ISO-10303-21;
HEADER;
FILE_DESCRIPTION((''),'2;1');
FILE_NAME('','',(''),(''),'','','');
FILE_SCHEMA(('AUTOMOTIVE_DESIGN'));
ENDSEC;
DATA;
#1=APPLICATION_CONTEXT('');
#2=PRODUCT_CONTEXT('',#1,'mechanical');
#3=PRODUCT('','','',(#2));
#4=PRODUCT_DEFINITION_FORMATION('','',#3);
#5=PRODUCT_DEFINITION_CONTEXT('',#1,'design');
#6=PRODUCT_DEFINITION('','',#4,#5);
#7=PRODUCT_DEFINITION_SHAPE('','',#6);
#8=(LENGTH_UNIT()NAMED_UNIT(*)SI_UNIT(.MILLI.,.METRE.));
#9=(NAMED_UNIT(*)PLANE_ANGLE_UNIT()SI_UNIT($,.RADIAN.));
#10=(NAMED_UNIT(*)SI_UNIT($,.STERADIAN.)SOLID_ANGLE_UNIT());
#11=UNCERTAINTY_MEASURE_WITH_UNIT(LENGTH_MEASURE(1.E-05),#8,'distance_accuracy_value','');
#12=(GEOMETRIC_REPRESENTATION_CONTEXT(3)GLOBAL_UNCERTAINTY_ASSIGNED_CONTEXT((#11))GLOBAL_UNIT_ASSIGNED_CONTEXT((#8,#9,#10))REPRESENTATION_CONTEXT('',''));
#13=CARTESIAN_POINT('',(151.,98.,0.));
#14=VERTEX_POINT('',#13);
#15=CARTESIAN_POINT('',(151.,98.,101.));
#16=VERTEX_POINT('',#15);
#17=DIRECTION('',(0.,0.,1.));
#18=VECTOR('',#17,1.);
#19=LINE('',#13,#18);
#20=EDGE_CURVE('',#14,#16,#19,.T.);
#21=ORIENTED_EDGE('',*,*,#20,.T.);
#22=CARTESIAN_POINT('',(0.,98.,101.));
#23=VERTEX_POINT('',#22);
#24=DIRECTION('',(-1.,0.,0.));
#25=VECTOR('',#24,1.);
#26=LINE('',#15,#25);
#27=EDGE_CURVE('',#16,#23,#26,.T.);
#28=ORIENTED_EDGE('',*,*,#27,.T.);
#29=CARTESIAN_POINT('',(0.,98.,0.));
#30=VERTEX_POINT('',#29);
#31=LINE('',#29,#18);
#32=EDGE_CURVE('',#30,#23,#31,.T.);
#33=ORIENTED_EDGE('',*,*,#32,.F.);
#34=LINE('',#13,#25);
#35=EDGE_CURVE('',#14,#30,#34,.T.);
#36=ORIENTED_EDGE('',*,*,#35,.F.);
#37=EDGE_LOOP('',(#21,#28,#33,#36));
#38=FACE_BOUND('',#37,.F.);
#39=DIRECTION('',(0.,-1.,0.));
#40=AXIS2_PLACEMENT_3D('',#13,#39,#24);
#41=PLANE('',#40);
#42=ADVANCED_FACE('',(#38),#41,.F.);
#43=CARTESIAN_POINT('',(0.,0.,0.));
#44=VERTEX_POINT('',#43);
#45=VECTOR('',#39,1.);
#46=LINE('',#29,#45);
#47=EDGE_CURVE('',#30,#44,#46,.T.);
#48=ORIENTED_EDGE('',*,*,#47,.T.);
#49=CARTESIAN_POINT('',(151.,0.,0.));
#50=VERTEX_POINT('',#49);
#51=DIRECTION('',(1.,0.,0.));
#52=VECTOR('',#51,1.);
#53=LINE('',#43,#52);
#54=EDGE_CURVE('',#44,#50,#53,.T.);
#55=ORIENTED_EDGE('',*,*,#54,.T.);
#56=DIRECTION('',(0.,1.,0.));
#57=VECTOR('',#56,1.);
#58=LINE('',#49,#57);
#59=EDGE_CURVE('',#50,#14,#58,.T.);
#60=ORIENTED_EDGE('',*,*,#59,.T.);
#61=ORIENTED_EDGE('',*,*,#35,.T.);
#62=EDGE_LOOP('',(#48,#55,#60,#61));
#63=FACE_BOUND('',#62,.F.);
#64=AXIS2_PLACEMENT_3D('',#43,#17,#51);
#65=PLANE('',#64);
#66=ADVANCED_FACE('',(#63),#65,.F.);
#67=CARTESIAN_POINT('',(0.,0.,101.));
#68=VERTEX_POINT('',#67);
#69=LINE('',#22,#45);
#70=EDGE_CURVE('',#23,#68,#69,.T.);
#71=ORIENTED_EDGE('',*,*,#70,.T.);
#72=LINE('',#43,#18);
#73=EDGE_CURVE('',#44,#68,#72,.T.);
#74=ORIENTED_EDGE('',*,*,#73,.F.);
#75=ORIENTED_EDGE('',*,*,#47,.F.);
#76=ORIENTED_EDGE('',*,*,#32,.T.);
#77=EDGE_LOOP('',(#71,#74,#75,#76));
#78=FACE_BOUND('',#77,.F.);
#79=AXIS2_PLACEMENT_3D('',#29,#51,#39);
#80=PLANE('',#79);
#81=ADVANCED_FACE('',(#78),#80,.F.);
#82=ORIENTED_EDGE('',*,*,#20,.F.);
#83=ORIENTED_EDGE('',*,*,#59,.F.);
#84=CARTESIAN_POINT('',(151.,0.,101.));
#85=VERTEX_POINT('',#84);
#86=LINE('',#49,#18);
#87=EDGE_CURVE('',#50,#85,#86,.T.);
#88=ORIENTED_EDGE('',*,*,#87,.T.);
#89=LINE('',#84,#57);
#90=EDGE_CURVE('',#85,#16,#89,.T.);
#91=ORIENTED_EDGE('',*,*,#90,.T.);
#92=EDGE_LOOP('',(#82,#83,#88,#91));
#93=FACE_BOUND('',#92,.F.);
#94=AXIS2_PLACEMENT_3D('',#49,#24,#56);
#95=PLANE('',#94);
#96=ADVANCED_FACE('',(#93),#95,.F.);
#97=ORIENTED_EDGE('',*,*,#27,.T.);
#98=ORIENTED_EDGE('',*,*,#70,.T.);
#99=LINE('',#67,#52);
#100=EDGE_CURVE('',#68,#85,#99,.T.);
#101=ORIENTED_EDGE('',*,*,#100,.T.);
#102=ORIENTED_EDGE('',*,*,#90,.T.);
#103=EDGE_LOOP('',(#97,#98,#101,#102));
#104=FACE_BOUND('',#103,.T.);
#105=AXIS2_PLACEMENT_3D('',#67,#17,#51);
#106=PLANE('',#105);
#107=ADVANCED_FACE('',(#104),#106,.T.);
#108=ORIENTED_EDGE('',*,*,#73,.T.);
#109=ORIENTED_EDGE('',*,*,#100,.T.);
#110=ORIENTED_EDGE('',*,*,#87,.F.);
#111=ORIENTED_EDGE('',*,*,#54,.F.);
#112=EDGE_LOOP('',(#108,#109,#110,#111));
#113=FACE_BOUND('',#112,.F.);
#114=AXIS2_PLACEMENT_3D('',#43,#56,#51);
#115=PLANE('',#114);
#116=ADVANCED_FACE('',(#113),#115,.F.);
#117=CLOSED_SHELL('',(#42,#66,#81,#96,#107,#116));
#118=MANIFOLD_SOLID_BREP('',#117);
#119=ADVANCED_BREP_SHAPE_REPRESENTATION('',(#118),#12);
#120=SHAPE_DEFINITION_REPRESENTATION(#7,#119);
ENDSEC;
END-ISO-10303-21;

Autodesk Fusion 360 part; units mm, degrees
sketch "Sketch1" plane through (0, 0, 0) normal (0, 0, 1) x (1, 0, 0)
  line L0 (0, 0) -> (151, 0)
  line L1 (151, 0) -> (151, 98)
  line L2 (151, 98) -> (0, 98)
  line L3 (0, 98) -> (0, 0)
  dimension "d1" = 151
  dimension "d2" = 98
extrude "Extrude1" add sketch "Sketch1" along normal blind 101
